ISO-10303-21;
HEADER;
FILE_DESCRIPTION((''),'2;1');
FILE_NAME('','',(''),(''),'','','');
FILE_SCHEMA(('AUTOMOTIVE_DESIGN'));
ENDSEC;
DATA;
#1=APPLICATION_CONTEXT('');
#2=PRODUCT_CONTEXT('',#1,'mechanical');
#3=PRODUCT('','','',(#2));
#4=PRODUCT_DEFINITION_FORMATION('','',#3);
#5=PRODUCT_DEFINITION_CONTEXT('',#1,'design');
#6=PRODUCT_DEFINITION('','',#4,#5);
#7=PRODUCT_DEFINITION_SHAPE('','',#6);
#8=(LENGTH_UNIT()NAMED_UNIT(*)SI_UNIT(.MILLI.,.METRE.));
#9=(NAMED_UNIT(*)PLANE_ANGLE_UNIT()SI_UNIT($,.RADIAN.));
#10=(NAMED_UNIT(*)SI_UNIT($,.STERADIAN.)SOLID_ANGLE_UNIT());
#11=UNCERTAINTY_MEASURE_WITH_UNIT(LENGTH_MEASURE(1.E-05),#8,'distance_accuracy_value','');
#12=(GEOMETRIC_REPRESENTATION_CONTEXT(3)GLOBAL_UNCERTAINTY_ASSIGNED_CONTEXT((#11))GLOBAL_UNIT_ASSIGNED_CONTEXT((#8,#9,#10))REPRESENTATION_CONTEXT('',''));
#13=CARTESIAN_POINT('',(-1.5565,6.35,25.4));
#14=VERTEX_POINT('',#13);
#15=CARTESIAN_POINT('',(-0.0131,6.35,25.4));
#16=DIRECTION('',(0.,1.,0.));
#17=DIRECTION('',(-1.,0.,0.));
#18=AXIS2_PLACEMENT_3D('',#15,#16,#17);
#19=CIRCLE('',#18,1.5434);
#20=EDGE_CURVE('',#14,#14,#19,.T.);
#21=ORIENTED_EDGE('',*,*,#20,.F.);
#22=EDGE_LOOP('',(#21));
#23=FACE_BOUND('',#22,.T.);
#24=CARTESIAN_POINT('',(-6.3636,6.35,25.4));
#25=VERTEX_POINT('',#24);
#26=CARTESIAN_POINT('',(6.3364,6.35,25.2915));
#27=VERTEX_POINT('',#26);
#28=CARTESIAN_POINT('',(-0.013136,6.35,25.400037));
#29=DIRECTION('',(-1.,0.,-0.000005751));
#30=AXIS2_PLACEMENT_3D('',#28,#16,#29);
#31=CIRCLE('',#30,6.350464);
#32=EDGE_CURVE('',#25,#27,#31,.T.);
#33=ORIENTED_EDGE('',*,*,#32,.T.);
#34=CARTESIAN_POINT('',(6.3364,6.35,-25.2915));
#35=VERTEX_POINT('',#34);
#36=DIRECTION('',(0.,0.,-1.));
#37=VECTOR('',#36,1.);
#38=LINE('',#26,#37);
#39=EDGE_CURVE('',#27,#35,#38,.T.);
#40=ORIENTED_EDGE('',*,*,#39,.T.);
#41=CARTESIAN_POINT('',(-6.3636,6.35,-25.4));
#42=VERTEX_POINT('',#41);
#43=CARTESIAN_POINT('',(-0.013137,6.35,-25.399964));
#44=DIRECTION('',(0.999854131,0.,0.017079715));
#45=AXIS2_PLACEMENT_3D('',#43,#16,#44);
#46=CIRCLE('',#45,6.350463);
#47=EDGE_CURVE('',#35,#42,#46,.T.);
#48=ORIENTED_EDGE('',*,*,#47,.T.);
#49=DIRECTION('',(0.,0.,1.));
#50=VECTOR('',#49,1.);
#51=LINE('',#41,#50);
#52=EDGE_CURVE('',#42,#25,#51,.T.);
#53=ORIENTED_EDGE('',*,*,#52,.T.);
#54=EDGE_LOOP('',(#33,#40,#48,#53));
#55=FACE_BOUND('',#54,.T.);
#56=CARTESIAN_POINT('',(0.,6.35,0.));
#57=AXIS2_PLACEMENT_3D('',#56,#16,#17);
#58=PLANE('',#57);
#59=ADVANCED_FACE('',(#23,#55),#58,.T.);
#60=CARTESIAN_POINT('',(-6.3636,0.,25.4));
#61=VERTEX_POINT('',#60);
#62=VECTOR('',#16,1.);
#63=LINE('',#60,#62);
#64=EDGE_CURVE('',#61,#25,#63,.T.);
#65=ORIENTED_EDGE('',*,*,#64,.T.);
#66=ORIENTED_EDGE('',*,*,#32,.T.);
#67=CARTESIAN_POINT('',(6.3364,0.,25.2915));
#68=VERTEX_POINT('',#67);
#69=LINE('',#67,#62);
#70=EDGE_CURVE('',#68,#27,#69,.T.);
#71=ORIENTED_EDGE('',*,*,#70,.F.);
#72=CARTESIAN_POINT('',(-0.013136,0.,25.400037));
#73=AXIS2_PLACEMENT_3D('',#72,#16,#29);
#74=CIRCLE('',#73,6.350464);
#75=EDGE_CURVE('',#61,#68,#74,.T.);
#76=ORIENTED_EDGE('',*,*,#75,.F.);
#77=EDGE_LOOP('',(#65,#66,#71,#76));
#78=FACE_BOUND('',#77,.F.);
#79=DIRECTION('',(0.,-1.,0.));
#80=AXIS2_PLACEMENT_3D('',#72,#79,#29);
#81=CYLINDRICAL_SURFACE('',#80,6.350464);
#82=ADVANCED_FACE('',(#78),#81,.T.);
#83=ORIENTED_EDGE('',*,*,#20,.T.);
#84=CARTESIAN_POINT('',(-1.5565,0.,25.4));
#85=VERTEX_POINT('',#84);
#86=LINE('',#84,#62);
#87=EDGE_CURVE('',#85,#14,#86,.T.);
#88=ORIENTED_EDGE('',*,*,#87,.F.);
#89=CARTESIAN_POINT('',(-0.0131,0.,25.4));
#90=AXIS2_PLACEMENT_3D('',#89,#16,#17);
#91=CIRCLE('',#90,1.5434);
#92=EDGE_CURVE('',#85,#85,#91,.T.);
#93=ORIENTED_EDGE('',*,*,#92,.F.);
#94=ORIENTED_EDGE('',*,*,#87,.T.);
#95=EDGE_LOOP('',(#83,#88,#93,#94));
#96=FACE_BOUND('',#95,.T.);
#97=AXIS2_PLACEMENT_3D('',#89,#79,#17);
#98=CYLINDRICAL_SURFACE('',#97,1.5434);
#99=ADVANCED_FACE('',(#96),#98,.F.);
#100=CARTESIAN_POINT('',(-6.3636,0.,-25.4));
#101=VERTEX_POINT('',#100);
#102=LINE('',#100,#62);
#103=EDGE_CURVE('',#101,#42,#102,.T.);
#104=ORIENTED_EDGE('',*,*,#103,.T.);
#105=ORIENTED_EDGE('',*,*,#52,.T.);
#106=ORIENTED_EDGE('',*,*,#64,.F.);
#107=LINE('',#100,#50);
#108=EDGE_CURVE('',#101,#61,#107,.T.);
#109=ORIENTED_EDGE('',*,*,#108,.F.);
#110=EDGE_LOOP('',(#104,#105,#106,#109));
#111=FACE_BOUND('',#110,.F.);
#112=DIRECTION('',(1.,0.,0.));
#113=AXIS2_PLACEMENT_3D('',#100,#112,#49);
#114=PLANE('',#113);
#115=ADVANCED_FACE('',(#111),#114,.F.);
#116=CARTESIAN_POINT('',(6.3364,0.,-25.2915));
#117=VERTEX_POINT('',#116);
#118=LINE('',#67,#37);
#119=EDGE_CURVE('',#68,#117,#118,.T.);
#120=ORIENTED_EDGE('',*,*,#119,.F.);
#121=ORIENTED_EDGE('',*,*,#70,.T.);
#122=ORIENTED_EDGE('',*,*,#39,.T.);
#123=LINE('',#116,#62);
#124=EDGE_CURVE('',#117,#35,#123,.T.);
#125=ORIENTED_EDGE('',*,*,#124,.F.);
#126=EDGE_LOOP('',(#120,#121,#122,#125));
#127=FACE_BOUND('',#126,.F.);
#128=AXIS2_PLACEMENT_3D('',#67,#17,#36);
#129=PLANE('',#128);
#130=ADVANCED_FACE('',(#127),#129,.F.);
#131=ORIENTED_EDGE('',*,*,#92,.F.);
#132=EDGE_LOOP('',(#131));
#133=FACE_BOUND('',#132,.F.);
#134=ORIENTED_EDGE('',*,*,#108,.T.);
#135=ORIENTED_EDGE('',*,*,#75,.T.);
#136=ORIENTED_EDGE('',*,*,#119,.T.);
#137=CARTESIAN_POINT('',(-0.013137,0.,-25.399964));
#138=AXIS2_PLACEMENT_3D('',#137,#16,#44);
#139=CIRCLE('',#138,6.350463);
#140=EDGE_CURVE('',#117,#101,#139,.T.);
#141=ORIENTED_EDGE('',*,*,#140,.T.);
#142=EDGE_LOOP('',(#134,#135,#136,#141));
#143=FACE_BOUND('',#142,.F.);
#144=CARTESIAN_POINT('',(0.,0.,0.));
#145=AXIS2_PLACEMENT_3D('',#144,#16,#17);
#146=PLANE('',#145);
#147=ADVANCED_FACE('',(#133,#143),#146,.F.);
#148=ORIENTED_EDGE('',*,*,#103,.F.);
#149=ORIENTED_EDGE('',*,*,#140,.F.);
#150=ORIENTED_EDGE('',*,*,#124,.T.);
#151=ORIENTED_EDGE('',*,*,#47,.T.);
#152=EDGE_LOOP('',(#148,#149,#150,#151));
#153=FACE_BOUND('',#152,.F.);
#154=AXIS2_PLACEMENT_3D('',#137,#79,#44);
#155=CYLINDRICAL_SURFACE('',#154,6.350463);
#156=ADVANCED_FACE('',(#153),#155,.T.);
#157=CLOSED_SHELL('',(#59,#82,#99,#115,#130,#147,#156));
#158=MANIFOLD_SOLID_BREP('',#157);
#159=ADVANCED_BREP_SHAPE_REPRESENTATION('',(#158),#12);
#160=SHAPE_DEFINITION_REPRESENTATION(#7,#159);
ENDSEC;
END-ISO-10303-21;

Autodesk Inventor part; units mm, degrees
ref_plane "YZ Plane" through (0, 0, 0) normal (1, 0, 0) x (0, 1, 0)
ref_plane "XZ Plane" through (0, 0, 0) normal (0, 1, 0) x (-1, 0, 0)
ref_plane "XY Plane" through (0, 0, 0) normal (0, 0, 1) x (1, 0, 0)
sketch "Sketch1" plane through (0, 0, 0) normal (0, 1, 0) x (-1, 0, 0)
  line L0 (6.3636, -25.4) -> (6.3636, 25.4)
  line L1 (-6.3364, 25.2915) -> (-6.3364, -25.2915)
  line L2 (-6.3364, -25.2915) -> (6.3636, 25.4) construction
  line L3 (6.3636, -25.4) -> (-6.3364, 25.2915) construction
  arc A0 (6.3636, 25.4) -> (-6.3364, 25.2915) centre (0.0131, 25.4) ccw
  arc A1 (-6.3364, -25.2915) -> (6.3636, -25.4) centre (0.0131, -25.4) ccw
  circle A2 centre (0.0131, 25.4) radius 1.5434
  point P0 (0, 0)
  dimension "d0" = 50.8
  dimension "d1" = 12.7
extrude "Extrusion1" add sketch "Sketch1" along normal blind 6.35
properties part number "Fixture_Lever"
